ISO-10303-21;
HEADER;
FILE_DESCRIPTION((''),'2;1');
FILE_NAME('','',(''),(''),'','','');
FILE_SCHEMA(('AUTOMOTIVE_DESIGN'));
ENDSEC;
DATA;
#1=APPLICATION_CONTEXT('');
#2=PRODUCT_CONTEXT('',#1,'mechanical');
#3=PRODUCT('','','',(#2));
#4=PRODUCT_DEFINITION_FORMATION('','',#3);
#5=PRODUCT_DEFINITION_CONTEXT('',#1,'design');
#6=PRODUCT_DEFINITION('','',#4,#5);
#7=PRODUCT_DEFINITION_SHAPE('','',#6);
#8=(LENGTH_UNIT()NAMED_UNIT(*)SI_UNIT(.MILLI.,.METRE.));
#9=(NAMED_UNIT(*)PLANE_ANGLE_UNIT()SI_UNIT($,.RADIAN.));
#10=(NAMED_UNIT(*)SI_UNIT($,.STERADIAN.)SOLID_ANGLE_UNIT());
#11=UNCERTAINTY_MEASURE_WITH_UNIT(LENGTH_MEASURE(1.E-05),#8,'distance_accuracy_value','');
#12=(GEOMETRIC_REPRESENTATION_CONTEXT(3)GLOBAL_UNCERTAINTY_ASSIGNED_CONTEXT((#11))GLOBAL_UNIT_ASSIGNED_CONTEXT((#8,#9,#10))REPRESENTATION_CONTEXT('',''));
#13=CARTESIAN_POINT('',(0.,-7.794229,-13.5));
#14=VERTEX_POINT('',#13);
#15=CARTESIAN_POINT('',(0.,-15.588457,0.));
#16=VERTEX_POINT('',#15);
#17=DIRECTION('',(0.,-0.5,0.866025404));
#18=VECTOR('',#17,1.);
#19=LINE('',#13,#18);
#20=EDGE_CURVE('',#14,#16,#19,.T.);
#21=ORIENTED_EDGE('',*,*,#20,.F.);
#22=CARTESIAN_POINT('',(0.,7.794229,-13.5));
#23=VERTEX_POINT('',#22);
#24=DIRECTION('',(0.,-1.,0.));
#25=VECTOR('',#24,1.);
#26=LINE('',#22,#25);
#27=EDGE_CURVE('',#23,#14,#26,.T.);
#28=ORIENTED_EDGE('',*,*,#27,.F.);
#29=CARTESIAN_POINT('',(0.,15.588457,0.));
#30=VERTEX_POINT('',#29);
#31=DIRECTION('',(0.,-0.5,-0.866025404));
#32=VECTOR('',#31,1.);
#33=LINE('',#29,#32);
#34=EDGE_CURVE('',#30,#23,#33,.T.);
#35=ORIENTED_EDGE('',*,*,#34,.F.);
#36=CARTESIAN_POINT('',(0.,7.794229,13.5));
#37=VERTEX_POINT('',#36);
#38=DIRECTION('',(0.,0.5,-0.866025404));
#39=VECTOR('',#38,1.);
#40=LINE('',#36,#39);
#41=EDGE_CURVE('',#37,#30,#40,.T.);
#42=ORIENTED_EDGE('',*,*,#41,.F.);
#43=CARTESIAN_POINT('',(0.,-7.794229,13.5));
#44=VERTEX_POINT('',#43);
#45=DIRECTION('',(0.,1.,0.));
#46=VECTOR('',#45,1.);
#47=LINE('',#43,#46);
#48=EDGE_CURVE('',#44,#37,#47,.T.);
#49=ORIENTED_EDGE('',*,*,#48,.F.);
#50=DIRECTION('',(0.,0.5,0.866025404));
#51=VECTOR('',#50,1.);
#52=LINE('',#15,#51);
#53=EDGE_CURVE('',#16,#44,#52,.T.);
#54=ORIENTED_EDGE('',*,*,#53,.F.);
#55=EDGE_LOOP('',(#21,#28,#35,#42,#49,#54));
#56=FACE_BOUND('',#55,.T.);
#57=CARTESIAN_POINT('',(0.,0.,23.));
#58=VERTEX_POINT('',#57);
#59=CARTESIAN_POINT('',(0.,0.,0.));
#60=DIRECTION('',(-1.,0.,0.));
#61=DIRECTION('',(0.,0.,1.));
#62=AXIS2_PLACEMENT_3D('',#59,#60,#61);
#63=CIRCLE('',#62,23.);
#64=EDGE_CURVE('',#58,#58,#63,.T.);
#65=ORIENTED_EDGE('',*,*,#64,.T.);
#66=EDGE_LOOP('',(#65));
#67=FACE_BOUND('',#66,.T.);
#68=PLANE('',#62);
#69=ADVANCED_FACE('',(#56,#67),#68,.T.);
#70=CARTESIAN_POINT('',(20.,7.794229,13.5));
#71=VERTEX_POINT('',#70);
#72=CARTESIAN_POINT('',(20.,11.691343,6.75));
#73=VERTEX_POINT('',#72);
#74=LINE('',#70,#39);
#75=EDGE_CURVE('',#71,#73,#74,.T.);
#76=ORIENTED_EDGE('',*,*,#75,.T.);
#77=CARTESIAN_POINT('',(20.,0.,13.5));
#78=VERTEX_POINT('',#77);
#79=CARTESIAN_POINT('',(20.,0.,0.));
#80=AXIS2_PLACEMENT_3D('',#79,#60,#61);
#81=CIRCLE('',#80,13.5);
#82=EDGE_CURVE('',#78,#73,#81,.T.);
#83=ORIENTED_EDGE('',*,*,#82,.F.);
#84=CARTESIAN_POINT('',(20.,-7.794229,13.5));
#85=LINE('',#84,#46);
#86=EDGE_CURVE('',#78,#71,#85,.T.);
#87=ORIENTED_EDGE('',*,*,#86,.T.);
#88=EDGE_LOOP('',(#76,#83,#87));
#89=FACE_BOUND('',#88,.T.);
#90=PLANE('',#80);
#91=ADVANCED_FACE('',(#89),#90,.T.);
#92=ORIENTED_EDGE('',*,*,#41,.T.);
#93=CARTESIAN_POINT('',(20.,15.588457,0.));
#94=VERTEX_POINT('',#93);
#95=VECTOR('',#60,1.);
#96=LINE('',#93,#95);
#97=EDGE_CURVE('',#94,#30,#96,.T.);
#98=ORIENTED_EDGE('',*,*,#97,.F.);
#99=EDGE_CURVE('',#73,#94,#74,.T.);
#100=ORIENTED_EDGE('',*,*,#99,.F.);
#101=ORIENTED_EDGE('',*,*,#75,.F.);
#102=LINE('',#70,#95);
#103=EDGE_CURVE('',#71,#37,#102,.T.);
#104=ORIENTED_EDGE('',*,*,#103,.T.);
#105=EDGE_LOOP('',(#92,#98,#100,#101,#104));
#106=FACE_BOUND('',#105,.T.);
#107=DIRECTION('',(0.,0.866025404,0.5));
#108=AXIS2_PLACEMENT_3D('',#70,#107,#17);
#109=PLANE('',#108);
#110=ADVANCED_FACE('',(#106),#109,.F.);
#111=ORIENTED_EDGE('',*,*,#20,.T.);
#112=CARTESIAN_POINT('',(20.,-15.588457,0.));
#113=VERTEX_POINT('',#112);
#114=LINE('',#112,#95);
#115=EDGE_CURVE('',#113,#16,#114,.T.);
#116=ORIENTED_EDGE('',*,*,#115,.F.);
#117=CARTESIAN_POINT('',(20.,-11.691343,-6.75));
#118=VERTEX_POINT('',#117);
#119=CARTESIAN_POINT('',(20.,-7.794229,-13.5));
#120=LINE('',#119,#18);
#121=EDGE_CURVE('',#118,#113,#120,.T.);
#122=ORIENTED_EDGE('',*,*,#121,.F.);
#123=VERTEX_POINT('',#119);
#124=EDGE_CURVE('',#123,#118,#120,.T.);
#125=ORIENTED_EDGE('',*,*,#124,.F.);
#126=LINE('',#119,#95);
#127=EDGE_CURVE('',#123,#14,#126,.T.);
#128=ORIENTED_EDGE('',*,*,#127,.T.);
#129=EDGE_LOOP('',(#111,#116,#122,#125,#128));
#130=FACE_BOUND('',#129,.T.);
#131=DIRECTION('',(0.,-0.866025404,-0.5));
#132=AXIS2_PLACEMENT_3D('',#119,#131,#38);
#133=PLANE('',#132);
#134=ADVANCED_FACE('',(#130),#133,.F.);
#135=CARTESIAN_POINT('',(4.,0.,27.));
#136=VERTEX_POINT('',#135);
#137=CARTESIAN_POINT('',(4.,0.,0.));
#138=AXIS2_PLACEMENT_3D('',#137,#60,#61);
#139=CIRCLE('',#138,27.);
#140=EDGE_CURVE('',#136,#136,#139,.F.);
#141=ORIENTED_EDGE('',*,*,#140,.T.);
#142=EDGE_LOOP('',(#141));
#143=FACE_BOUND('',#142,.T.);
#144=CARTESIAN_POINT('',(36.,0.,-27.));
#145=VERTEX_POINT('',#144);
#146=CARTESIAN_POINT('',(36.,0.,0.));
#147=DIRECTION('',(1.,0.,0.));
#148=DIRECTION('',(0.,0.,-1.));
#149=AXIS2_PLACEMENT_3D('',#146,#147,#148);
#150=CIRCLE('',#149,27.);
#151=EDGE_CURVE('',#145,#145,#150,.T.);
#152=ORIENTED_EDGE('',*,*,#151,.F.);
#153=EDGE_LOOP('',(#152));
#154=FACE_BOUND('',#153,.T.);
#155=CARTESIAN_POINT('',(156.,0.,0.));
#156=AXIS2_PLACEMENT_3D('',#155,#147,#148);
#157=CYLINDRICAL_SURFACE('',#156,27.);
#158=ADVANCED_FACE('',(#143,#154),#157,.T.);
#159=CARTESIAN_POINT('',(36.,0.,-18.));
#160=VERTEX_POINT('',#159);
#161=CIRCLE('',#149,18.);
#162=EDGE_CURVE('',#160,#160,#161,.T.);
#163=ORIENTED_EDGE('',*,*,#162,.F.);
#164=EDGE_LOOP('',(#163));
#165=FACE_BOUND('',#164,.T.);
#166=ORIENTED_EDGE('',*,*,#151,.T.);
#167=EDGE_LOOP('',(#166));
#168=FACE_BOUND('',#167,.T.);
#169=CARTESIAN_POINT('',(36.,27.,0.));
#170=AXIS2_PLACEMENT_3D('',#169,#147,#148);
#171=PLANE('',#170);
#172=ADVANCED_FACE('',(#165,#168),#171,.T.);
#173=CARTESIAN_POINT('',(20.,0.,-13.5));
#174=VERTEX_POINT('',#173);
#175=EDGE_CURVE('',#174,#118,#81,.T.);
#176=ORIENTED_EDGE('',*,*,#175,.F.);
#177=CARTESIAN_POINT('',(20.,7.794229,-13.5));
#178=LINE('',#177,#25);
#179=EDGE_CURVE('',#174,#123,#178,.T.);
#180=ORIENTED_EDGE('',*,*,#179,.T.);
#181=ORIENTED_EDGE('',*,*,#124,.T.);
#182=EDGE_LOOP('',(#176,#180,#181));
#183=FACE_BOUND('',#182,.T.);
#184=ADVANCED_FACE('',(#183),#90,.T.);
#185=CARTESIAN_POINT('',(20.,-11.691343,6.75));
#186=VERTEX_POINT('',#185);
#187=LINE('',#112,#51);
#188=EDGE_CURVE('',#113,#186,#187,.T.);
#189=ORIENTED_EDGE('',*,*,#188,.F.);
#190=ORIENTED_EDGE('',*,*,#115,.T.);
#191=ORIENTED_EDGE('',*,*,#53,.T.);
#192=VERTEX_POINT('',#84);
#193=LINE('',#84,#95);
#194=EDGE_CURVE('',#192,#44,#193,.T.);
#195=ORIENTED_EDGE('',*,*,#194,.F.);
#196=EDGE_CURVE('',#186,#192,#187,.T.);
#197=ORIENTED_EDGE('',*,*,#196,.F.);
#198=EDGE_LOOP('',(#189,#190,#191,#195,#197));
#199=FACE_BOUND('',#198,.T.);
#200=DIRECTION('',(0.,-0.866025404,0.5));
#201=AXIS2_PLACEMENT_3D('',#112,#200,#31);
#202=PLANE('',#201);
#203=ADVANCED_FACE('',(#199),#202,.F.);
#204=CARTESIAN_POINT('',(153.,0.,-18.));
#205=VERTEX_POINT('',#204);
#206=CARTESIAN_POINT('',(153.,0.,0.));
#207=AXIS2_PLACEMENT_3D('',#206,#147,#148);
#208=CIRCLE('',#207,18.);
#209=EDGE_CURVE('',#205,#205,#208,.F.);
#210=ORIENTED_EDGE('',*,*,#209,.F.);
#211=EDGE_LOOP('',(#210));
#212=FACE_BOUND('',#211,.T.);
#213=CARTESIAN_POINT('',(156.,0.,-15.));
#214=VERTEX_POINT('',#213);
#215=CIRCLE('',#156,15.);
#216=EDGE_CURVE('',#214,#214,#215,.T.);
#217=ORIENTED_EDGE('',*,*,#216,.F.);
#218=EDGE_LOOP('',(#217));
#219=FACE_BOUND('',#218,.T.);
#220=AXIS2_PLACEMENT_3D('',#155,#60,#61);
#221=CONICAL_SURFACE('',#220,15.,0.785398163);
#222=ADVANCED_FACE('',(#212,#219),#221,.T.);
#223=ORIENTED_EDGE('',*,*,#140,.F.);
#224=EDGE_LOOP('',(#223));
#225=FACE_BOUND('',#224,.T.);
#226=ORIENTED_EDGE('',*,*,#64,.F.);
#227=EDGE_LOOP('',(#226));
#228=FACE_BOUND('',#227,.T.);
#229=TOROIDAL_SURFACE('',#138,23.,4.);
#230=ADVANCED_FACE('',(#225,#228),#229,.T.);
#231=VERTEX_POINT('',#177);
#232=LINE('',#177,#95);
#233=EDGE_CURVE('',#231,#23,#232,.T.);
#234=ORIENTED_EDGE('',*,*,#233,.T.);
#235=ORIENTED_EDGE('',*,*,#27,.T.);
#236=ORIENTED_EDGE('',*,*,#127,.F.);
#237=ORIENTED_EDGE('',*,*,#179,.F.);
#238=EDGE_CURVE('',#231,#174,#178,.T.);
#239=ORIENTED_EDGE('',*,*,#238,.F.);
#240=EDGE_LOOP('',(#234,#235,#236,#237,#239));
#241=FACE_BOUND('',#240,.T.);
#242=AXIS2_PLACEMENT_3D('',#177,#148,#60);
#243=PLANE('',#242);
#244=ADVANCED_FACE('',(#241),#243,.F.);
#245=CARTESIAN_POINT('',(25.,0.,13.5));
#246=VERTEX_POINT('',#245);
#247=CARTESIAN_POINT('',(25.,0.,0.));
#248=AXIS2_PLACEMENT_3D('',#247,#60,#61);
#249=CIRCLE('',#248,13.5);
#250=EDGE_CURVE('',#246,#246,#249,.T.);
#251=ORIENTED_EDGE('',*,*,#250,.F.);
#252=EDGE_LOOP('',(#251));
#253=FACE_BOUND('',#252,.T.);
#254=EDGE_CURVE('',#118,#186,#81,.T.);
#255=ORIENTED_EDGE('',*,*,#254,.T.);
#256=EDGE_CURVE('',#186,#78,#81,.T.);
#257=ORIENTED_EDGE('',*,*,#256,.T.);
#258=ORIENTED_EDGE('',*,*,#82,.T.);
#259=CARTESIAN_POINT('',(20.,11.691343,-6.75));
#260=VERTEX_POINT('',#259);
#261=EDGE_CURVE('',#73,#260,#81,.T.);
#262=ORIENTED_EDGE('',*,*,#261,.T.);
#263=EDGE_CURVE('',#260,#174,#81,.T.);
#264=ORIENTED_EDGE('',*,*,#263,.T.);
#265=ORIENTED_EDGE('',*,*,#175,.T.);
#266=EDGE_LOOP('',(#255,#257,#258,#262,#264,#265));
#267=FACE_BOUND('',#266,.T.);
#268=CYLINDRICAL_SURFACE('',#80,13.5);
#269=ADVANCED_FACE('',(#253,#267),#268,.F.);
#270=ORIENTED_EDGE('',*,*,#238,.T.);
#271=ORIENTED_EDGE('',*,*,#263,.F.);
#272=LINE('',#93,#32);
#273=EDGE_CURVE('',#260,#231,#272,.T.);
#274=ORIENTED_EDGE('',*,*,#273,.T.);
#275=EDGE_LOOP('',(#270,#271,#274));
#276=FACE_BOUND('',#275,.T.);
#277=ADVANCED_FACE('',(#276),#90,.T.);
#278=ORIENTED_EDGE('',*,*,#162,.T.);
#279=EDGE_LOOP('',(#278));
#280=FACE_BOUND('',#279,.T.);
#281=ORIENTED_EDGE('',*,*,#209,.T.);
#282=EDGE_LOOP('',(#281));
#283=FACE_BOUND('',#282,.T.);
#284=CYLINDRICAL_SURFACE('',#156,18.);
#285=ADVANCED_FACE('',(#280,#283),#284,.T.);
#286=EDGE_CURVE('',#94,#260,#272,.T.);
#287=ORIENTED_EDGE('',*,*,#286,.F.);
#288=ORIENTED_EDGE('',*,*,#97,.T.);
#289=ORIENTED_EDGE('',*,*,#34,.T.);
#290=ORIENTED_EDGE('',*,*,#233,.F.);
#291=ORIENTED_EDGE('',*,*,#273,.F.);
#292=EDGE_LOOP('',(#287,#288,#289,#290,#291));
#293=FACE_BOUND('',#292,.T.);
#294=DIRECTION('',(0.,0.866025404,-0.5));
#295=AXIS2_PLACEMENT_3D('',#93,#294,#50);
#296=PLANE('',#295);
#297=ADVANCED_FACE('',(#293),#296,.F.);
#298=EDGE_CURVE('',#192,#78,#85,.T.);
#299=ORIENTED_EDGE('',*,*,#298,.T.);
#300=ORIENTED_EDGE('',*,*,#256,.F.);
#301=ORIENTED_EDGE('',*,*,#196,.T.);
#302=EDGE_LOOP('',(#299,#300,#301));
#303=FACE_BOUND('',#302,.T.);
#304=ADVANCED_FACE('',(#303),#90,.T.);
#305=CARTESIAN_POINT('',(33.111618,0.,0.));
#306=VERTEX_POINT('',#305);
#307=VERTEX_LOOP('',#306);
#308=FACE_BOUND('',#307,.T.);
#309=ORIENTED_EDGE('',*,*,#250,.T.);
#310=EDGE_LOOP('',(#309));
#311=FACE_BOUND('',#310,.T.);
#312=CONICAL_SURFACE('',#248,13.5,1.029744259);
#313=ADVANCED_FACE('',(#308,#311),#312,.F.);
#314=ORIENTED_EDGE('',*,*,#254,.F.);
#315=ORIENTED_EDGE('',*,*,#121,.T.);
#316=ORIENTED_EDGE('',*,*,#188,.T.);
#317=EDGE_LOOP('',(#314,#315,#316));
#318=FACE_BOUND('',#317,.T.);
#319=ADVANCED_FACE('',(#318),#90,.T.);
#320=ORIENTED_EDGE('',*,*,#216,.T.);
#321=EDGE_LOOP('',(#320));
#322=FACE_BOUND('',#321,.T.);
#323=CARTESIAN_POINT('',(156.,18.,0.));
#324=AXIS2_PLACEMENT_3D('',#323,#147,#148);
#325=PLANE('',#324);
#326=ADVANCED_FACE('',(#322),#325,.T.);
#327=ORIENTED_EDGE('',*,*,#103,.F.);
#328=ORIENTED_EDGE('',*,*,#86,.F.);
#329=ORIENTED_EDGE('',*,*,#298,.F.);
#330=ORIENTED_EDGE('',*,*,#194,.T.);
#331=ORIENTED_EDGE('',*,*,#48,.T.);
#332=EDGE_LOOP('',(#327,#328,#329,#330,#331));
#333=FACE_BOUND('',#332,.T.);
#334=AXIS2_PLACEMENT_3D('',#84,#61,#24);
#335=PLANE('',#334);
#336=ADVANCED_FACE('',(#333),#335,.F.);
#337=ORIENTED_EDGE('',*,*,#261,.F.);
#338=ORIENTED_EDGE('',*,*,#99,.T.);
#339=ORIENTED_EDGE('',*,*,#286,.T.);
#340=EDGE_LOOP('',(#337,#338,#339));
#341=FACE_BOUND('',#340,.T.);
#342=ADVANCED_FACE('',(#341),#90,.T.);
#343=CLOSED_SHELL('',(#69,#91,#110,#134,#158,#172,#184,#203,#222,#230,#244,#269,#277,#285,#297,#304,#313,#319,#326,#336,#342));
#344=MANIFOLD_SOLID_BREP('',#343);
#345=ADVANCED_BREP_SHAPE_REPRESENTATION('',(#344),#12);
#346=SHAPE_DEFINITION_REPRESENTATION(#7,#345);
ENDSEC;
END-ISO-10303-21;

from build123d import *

# Parameters (mm, degrees)
CORTE_EXTRUS_O1_DEPTH            = 20
FURO_DE_DI_METRO_27_0_27_1_D     = 27
FURO_DE_DI_METRO_27_0_27_1_DEPTH = 5
FURO_DE_DI_METRO_27_0_27_1_TIP   = 8.111618357
FILETE1_R                        = 4
CHANFRO1_SIZE                    = 3


with BuildPart() as part:
    # Esboço1 → Revolução1 (revolve)
    with BuildSketch(Plane.XY, mode=Mode.PRIVATE) as revolu_o1_sk:
        Polygon((0, 0), (0, 27), (36, 27), (36, 18), (156, 18), (156, 0), align=None)
    revolve(revolu_o1_sk.sketch.rotate(Axis((156, 0, 0), (-1, 0, 0)), 90), axis=Axis((156, 0, 0), (-1, 0, 0)))

    # Esboço2 → Corte-extrusão1 (cut)
    with BuildSketch(Plane.ZY):
        Polygon((0, 15.588457268), (-13.5, 7.794228634), (-13.5, -7.794228634), (0, -15.588457268), (13.5, -7.794228634), (13.5, 7.794228634), align=None)
    extrude(amount=-CORTE_EXTRUS_O1_DEPTH, mode=Mode.SUBTRACT)

    # Furo de diâmetro Ø27.0 (27)1
    with Locations(Plane.ZY.offset(-20)):
        with Locations((0, 0)):
            Hole(FURO_DE_DI_METRO_27_0_27_1_D / 2, depth=FURO_DE_DI_METRO_27_0_27_1_DEPTH)
            with Locations((0, 0, -(FURO_DE_DI_METRO_27_0_27_1_DEPTH + FURO_DE_DI_METRO_27_0_27_1_TIP / 2))):  # 118° drill point
                Cone(0, FURO_DE_DI_METRO_27_0_27_1_D / 2, FURO_DE_DI_METRO_27_0_27_1_TIP, mode=Mode.SUBTRACT)

    # Filete1
    filete1_edges = [part.edges().sort_by_distance(p)[0] for p in [
        (0, 0, 27),
    ]]
    fillet(filete1_edges, radius=FILETE1_R)

    # Chanfro1
    chanfro1_edges = [part.edges().sort_by_distance(p)[0] for p in [
        (156, 0, 18),
    ]]
    chamfer(chanfro1_edges, length=CHANFRO1_SIZE)


solid = part.part
